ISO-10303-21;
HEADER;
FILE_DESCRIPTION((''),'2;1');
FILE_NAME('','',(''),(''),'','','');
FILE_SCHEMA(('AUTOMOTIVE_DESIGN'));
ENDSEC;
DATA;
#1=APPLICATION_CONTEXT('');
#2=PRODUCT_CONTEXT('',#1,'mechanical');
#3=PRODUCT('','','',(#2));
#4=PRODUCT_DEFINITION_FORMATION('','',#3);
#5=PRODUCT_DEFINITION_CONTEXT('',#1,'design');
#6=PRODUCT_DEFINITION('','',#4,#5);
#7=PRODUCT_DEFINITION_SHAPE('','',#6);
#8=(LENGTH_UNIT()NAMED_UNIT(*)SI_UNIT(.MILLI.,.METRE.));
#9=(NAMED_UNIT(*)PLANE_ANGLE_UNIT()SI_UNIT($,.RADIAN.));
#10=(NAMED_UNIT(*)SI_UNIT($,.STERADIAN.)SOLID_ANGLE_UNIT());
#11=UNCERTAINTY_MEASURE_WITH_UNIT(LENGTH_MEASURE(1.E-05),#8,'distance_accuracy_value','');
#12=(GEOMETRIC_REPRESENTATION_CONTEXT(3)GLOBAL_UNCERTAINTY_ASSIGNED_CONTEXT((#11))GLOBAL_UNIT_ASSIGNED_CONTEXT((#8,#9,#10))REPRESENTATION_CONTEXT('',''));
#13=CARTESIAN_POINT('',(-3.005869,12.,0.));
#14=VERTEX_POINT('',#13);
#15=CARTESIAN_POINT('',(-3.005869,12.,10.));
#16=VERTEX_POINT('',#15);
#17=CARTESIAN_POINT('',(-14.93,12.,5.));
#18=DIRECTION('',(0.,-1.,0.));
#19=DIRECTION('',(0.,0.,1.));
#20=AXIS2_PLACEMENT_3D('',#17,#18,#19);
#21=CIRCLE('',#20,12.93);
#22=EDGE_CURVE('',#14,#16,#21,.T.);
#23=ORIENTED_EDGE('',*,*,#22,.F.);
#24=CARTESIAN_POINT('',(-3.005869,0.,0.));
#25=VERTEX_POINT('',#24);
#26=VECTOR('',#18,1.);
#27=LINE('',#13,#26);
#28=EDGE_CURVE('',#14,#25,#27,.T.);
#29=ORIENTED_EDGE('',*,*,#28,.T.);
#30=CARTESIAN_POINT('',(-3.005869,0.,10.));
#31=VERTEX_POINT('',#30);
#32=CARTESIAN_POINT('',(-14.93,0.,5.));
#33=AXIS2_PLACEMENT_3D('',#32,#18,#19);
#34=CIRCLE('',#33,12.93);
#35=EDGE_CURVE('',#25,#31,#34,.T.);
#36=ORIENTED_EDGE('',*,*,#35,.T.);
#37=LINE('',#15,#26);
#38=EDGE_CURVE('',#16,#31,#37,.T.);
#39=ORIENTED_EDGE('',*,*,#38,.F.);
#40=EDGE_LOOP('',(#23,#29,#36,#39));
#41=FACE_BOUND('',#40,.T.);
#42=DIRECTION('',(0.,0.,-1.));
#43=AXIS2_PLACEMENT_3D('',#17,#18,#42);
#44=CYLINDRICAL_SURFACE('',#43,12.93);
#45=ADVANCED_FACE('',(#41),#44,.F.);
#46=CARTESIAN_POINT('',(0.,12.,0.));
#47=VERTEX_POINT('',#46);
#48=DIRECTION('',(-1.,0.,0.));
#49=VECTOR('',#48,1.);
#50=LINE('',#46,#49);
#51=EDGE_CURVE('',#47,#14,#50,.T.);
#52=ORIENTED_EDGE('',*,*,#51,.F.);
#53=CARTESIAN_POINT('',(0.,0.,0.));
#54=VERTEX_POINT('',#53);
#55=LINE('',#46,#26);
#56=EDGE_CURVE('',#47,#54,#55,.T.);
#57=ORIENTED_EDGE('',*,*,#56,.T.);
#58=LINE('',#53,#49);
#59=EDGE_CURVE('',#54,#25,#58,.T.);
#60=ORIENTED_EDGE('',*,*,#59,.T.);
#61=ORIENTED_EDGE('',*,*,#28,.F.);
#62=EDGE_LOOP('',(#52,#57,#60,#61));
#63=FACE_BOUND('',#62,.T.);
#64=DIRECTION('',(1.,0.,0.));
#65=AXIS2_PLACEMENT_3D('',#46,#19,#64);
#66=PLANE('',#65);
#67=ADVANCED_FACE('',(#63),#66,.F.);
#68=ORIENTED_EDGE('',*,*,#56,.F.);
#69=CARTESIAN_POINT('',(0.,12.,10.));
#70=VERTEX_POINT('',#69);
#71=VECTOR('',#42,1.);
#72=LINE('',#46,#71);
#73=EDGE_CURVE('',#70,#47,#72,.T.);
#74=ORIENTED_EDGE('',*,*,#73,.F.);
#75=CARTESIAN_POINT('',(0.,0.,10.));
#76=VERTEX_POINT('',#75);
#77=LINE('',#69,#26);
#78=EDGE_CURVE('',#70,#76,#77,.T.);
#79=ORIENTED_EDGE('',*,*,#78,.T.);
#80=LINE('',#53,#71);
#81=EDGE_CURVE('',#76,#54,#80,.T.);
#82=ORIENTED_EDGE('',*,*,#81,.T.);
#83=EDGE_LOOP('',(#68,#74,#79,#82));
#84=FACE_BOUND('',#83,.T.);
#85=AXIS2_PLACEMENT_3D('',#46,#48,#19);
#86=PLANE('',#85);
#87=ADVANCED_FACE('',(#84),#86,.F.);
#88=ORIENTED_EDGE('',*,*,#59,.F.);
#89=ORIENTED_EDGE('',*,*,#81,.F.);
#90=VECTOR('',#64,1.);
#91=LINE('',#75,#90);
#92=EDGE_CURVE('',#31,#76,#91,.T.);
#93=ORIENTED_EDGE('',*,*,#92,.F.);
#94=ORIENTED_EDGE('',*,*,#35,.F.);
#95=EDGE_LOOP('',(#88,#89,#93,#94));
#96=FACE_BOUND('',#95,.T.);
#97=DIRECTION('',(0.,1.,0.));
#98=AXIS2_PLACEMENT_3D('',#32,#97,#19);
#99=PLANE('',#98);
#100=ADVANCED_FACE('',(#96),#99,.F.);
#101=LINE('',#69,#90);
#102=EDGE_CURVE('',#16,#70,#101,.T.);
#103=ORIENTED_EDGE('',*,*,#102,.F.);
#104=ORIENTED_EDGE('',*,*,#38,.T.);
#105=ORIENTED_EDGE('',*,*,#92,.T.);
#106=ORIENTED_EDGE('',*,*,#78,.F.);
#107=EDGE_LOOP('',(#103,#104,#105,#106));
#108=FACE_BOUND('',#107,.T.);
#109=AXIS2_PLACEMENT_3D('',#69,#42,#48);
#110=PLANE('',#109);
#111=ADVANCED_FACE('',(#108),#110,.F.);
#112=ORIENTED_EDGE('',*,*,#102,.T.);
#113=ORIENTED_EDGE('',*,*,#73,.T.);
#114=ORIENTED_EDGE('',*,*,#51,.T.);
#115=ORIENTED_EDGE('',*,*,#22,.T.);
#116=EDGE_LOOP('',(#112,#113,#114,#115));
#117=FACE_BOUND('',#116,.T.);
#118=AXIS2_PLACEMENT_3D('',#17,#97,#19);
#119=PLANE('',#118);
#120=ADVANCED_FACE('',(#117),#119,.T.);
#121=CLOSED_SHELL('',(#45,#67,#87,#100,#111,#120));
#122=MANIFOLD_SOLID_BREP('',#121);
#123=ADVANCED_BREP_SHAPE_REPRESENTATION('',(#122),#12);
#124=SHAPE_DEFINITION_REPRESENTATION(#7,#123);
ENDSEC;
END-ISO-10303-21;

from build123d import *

# Parameters (mm, degrees)
EXTRUDE_1_DEPTH = 12


with BuildPart() as part:
    # 草图1 → 凸台-拉伸1 (new body)
    with BuildSketch(Plane(origin=(0, 0, 0), x_dir=(1, 0, 0), z_dir=(0, 1, 0))):
        with BuildLine():
            Line((0, 0), (0, -10))
            Line((0, -10), (-3.005869004, -10))
            ThreePointArc((-3.005869004, -10), (-2, -5), (-3.005869004, 0))
            Line((-3.005869004, 0), (0, 0))
        make_face()
    extrude(amount=EXTRUDE_1_DEPTH)


solid = part.part
